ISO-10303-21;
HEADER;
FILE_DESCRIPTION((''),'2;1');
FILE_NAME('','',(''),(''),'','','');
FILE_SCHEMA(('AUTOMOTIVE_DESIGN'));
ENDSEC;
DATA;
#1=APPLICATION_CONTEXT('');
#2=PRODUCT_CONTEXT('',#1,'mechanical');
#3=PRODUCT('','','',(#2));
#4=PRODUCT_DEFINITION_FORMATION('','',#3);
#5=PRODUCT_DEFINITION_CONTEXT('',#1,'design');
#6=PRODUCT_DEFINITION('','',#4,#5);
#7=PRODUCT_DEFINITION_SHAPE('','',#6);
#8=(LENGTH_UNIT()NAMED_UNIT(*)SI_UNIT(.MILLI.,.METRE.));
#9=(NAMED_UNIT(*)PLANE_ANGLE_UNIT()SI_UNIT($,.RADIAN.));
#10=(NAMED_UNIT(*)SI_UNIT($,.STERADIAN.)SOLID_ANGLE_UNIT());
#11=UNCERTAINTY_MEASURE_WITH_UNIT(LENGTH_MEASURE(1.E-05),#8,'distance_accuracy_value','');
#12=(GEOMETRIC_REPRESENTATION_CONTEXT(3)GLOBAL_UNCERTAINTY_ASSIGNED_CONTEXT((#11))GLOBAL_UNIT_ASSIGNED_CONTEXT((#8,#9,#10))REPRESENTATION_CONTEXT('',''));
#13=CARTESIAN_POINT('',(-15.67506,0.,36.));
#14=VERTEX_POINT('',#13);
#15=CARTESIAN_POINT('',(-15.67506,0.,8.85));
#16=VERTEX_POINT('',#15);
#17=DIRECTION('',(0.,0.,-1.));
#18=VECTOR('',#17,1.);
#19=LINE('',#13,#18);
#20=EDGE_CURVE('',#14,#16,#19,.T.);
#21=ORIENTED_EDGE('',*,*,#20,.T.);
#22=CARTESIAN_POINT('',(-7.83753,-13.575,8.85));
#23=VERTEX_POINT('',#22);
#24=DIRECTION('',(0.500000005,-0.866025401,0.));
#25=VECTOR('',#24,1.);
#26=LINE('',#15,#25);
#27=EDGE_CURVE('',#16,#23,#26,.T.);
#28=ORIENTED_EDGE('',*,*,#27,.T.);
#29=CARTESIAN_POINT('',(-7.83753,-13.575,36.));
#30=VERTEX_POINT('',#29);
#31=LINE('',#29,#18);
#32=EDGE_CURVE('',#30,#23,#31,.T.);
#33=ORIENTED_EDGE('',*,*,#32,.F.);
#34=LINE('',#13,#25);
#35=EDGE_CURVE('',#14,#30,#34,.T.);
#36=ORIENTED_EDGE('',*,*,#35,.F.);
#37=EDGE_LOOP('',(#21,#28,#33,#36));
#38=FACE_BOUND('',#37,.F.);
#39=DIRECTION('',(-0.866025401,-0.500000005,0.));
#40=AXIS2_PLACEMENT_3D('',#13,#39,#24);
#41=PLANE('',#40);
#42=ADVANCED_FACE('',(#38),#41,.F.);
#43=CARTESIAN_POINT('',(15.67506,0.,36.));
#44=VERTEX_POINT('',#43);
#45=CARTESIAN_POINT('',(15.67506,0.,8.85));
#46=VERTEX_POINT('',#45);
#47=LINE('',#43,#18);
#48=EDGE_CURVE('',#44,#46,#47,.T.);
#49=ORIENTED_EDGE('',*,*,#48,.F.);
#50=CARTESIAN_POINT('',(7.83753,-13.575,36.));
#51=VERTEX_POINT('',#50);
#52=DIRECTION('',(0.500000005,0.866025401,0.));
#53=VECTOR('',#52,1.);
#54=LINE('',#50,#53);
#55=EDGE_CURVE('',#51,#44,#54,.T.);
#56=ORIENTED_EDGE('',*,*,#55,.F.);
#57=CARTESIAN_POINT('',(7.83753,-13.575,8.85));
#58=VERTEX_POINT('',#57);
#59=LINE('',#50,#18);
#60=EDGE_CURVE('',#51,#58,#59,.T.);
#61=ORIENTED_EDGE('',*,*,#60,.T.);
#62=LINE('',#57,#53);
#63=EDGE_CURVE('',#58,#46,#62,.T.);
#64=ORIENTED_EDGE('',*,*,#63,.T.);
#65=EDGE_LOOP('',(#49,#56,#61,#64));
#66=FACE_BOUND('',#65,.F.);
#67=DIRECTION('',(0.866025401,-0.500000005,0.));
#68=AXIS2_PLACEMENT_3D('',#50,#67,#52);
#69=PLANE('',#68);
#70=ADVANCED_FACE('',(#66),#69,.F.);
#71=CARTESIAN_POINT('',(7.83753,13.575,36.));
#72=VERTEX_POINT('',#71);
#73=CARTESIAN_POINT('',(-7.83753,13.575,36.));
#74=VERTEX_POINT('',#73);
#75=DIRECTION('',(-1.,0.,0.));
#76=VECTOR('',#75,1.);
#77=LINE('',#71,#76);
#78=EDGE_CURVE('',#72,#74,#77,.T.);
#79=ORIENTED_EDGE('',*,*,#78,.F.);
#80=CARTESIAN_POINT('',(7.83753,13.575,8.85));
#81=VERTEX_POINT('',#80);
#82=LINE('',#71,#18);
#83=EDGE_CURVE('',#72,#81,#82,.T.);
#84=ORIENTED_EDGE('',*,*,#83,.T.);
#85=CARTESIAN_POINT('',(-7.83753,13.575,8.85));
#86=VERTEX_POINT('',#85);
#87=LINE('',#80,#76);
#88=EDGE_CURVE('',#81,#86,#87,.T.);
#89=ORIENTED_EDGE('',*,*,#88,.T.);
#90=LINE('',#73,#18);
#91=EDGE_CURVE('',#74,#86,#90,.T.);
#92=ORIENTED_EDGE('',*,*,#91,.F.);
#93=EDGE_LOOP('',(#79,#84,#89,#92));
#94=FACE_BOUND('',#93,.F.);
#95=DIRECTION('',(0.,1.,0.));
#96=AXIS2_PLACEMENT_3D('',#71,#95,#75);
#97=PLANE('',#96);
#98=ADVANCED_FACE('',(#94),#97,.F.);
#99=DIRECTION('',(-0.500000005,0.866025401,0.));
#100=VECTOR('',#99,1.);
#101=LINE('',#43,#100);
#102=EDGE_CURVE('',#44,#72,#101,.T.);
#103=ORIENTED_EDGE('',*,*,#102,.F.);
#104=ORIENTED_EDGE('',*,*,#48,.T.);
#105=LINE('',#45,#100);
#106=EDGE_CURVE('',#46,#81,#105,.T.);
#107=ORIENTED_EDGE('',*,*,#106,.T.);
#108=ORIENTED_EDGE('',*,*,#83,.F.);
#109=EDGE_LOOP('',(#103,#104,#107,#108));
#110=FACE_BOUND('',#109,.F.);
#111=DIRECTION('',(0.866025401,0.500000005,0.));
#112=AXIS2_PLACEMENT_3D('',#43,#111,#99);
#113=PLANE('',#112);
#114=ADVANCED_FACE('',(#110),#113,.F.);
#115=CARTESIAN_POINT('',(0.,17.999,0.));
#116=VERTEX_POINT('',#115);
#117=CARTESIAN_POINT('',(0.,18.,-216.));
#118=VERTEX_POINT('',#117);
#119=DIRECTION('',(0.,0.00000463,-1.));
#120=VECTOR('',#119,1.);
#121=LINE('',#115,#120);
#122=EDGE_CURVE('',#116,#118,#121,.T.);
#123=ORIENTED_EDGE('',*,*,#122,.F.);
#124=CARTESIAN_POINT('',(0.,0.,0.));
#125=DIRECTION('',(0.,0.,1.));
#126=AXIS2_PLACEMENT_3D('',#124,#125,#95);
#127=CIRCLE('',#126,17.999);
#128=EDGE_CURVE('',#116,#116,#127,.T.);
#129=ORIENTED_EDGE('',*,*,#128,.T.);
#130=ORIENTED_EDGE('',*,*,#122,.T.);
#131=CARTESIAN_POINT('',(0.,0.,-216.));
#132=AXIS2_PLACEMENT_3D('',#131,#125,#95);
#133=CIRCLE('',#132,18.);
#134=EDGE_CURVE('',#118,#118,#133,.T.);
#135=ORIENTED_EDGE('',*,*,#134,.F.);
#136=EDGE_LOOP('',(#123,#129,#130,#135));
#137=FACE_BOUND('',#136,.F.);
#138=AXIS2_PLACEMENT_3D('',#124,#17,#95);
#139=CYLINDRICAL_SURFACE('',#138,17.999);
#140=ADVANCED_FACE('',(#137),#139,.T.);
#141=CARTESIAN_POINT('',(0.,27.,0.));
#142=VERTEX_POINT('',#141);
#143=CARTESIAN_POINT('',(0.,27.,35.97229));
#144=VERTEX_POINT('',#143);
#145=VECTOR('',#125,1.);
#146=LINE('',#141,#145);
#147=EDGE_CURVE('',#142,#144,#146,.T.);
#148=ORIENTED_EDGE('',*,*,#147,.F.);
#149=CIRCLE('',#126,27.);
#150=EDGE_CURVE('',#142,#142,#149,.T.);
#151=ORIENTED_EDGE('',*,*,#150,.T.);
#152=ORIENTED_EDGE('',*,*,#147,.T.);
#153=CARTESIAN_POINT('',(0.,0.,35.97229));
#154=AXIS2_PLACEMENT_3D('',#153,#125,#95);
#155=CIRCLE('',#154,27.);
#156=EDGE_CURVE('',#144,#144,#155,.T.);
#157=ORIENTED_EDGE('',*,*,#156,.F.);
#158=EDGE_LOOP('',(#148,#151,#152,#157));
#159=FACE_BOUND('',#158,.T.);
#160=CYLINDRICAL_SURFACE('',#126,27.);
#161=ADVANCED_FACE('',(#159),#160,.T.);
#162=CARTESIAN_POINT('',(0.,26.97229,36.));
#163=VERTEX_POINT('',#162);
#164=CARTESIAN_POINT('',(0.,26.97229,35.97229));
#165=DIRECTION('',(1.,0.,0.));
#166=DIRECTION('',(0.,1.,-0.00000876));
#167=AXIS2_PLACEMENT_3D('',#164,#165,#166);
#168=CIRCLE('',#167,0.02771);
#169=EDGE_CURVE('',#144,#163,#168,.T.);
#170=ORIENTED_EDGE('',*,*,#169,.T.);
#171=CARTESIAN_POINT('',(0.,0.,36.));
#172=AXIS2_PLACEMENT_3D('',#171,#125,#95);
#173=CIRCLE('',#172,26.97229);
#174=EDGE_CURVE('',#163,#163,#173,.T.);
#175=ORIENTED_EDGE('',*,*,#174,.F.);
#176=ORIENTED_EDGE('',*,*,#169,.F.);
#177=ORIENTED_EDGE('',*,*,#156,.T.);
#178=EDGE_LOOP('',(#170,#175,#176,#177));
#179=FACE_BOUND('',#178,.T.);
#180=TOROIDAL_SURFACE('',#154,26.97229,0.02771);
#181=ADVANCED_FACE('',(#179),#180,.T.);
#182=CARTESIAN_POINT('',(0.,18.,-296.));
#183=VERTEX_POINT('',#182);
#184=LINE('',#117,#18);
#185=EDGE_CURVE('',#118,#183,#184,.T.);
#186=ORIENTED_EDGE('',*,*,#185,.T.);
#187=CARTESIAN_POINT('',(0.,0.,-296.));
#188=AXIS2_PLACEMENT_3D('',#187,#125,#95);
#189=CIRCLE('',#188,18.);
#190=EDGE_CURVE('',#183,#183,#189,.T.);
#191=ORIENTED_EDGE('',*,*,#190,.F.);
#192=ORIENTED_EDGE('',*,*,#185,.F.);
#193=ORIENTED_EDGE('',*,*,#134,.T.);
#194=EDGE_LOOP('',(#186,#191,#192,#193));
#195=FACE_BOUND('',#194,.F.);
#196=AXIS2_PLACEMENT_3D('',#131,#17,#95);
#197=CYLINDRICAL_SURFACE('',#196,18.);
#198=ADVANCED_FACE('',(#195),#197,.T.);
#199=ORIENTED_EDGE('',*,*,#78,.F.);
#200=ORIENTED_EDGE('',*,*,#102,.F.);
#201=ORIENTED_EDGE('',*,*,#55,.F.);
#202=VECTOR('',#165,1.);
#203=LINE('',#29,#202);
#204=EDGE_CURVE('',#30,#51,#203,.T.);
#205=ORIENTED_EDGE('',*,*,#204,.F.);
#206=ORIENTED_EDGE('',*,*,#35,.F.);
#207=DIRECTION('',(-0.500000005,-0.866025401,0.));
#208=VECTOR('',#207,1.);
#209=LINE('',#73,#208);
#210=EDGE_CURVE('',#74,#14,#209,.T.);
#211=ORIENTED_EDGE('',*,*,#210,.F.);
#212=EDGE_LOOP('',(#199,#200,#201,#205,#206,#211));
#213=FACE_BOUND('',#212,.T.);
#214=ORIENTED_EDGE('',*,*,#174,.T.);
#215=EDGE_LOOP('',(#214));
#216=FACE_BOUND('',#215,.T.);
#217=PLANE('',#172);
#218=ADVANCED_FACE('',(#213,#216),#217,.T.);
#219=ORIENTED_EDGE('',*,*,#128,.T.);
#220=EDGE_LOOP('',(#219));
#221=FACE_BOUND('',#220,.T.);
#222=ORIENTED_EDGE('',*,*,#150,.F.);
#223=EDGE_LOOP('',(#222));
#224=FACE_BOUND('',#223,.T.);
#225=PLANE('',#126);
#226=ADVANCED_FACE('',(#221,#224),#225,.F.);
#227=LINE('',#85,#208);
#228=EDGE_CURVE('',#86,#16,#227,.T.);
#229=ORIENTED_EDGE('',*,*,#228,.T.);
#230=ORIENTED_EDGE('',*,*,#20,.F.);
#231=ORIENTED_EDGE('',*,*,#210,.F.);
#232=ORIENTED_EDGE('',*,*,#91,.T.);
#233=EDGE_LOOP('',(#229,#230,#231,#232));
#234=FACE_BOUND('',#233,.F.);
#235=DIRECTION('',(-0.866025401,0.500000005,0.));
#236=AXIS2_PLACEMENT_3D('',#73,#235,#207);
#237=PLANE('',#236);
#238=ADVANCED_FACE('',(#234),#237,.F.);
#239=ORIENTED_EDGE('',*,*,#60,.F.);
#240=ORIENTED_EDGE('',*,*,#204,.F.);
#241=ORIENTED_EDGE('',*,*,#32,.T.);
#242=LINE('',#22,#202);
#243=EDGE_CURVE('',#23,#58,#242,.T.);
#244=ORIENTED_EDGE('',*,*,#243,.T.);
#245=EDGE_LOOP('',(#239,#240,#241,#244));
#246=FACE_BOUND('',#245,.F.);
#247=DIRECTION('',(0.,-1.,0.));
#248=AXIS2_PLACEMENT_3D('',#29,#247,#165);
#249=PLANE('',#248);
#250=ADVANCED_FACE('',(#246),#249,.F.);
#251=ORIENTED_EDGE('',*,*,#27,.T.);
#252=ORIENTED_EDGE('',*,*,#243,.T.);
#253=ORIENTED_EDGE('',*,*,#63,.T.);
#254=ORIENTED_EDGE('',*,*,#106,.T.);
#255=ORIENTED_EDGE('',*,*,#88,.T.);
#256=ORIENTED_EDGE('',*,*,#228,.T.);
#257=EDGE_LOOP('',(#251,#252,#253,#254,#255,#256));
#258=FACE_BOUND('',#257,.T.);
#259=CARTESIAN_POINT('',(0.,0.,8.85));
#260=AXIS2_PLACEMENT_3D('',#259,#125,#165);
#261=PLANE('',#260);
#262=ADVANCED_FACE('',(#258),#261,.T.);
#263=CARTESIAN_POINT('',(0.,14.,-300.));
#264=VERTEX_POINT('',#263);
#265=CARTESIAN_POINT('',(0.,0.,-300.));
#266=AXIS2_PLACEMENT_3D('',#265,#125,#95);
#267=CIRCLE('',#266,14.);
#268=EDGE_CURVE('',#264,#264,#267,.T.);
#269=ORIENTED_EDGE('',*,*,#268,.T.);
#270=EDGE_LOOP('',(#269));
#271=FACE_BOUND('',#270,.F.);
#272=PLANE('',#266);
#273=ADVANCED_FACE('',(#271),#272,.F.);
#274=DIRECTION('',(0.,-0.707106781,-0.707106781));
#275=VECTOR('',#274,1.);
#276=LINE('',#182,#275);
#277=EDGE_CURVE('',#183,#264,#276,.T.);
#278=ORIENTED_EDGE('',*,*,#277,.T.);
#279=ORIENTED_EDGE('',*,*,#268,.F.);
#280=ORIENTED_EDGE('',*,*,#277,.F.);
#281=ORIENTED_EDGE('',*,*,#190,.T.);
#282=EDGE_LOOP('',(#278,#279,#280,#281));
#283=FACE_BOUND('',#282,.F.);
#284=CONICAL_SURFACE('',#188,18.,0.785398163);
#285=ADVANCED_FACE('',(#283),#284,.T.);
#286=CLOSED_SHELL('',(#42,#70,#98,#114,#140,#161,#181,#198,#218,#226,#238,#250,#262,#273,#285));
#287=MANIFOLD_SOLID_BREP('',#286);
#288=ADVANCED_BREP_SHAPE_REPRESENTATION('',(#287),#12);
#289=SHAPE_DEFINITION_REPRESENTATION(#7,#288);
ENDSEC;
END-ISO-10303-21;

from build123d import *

# Parameters (mm, degrees)
POCKET_DEPTH = 27.15


with BuildPart() as part:
    # Sketch → Revolve (revolve)
    with BuildSketch(Plane.YZ):
        with BuildLine():
            Line((17.999, 0), (27, 0))
            Line((27, 0), (27, 35.97229))
            ThreePointArc((27, 35.97229), (26.991884, 35.991884), (26.97229, 36))
            Line((26.97229, 36), (0, 36))
            Line((0, -300), (0, 36))
            Line((14, -300), (0, -300))
            Line((18, -296), (14, -300))
            Line((18, -216), (18, -296))
            Line((17.999, 0), (18, -216))
        make_face()
    revolve(axis=Axis((0, 0, 0), (0, 0, 1)))

    # Sketch001 → Pocket (cut)
    with BuildSketch(Plane.XY.offset(36)):
        Polygon((15.67506, 0), (7.83753, 13.575), (-7.83753, 13.575), (-15.67506, 0), (-7.83753, -13.575), (7.83753, -13.575), align=None)
    extrude(amount=-POCKET_DEPTH, mode=Mode.SUBTRACT)


solid = part.part
